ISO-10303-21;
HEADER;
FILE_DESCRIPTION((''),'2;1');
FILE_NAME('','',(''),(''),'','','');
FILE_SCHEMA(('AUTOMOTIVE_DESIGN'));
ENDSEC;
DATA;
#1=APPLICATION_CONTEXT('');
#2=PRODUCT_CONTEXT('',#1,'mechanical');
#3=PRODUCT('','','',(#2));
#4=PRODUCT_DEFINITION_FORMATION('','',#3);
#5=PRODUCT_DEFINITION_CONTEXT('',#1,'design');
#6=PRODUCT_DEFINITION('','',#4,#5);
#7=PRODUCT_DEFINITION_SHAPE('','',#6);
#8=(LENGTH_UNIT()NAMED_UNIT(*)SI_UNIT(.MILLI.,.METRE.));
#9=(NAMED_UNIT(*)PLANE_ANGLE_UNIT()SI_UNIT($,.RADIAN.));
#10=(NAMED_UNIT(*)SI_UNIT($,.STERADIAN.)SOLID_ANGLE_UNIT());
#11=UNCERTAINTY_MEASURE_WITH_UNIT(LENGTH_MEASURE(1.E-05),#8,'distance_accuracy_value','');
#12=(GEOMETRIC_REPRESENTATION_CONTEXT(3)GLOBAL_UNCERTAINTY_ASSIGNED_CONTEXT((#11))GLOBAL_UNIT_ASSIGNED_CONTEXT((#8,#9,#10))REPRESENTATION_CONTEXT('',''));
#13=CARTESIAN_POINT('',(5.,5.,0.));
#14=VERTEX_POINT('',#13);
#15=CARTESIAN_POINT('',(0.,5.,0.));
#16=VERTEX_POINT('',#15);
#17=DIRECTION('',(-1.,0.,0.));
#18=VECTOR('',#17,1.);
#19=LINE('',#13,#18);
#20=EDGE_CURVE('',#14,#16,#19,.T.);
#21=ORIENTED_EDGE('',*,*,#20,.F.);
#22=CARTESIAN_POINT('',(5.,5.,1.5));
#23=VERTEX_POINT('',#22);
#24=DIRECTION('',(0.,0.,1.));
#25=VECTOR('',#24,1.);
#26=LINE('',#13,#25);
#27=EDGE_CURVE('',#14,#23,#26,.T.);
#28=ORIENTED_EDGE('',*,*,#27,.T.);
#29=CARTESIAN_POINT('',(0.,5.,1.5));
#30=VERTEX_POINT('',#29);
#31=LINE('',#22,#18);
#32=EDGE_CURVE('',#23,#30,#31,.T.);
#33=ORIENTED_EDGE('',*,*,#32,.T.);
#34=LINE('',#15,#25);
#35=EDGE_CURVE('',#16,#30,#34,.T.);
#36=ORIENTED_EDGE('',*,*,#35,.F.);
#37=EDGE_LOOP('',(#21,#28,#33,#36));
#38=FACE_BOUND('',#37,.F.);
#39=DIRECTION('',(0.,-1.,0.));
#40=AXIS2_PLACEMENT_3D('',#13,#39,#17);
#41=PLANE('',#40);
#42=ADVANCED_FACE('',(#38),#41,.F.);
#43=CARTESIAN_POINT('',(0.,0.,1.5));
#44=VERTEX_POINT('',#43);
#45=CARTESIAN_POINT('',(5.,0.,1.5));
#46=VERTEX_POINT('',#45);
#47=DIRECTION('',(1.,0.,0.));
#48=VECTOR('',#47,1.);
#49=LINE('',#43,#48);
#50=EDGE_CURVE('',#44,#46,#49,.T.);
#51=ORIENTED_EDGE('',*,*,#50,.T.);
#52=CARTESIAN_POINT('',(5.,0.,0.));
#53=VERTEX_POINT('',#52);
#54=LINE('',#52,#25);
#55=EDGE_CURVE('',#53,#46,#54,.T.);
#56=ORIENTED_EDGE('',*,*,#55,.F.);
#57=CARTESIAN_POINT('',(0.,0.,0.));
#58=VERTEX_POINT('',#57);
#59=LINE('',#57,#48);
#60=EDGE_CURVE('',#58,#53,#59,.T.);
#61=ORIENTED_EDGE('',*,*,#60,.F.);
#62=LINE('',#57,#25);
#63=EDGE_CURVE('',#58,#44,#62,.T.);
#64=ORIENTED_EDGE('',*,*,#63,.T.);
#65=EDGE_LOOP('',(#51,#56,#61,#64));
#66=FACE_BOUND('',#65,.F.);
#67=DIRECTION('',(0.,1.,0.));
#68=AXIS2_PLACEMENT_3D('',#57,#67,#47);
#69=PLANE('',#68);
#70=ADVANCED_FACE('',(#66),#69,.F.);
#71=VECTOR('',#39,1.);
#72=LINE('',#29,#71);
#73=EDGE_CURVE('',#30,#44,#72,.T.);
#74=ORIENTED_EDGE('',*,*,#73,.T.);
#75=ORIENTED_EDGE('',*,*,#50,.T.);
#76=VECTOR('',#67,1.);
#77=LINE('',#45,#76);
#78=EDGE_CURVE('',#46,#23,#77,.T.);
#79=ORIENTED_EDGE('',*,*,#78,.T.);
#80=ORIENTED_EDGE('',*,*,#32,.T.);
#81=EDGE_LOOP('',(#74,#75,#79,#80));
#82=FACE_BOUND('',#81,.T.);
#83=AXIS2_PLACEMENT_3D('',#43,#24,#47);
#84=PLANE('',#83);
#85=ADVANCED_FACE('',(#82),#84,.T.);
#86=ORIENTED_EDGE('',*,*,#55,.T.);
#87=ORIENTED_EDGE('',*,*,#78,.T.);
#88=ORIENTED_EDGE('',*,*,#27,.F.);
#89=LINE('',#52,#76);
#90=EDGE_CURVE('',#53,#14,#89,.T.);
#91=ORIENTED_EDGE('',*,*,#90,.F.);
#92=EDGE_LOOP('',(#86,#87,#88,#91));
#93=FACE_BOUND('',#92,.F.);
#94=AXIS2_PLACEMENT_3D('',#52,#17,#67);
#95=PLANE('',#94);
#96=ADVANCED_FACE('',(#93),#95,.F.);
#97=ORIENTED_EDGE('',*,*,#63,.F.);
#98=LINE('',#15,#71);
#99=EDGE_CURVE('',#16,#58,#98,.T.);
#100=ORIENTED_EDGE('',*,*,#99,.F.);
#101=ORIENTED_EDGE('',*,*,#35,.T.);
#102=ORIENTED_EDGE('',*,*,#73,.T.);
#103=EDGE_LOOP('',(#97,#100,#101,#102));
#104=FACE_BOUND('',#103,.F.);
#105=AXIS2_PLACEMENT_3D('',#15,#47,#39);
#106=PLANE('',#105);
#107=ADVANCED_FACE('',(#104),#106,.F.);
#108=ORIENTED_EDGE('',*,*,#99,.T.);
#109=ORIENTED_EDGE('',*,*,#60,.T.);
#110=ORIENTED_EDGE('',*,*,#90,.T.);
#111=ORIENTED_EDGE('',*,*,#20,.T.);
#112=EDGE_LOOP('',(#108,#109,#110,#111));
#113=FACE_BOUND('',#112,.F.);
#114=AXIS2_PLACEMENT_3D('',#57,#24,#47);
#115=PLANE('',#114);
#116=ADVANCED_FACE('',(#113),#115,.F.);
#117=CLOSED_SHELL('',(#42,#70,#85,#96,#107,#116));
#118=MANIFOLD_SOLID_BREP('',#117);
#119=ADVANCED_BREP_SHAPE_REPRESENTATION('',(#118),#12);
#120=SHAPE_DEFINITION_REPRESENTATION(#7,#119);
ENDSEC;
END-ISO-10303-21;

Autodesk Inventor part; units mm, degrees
ref_plane "YZ Plane" through (0, 0, 0) normal (1, 0, 0) x (0, 1, 0)
ref_plane "XZ Plane" through (0, 0, 0) normal (0, 1, 0) x (-1, 0, 0)
ref_plane "XY Plane" through (0, 0, 0) normal (0, 0, 1) x (1, 0, 0)
sketch "Sketch1" plane through (0, 0, 0) normal (0, 0, 1) x (1, 0, 0)
  line L0 (0, 0) -> (5, 0)
  line L1 (5, 0) -> (5, 5)
  line L2 (5, 5) -> (0, 5)
  line L3 (0, 5) -> (0, 0)
  dimension "d0" = 5
  dimension "d1" = 5
extrude "Extrusion1" add sketch "Sketch1" along normal blind 1.5
sketch "Sketch2" plane through (0, 0, 1.5) normal (0, 0, 1) x (1, 0, 0)
  line L0 (0, 5) -> (5.061, 4.9375) construction
  line L1 (5.061, 4.9375) -> (5, 0) construction
  line L2 (5, 0) -> (-0.061, 0.0625) construction
  line L3 (-0.061, 0.0625) -> (0, 5) construction
decal "Decal1"
properties part number "led" material "Acetal Resin, White"
